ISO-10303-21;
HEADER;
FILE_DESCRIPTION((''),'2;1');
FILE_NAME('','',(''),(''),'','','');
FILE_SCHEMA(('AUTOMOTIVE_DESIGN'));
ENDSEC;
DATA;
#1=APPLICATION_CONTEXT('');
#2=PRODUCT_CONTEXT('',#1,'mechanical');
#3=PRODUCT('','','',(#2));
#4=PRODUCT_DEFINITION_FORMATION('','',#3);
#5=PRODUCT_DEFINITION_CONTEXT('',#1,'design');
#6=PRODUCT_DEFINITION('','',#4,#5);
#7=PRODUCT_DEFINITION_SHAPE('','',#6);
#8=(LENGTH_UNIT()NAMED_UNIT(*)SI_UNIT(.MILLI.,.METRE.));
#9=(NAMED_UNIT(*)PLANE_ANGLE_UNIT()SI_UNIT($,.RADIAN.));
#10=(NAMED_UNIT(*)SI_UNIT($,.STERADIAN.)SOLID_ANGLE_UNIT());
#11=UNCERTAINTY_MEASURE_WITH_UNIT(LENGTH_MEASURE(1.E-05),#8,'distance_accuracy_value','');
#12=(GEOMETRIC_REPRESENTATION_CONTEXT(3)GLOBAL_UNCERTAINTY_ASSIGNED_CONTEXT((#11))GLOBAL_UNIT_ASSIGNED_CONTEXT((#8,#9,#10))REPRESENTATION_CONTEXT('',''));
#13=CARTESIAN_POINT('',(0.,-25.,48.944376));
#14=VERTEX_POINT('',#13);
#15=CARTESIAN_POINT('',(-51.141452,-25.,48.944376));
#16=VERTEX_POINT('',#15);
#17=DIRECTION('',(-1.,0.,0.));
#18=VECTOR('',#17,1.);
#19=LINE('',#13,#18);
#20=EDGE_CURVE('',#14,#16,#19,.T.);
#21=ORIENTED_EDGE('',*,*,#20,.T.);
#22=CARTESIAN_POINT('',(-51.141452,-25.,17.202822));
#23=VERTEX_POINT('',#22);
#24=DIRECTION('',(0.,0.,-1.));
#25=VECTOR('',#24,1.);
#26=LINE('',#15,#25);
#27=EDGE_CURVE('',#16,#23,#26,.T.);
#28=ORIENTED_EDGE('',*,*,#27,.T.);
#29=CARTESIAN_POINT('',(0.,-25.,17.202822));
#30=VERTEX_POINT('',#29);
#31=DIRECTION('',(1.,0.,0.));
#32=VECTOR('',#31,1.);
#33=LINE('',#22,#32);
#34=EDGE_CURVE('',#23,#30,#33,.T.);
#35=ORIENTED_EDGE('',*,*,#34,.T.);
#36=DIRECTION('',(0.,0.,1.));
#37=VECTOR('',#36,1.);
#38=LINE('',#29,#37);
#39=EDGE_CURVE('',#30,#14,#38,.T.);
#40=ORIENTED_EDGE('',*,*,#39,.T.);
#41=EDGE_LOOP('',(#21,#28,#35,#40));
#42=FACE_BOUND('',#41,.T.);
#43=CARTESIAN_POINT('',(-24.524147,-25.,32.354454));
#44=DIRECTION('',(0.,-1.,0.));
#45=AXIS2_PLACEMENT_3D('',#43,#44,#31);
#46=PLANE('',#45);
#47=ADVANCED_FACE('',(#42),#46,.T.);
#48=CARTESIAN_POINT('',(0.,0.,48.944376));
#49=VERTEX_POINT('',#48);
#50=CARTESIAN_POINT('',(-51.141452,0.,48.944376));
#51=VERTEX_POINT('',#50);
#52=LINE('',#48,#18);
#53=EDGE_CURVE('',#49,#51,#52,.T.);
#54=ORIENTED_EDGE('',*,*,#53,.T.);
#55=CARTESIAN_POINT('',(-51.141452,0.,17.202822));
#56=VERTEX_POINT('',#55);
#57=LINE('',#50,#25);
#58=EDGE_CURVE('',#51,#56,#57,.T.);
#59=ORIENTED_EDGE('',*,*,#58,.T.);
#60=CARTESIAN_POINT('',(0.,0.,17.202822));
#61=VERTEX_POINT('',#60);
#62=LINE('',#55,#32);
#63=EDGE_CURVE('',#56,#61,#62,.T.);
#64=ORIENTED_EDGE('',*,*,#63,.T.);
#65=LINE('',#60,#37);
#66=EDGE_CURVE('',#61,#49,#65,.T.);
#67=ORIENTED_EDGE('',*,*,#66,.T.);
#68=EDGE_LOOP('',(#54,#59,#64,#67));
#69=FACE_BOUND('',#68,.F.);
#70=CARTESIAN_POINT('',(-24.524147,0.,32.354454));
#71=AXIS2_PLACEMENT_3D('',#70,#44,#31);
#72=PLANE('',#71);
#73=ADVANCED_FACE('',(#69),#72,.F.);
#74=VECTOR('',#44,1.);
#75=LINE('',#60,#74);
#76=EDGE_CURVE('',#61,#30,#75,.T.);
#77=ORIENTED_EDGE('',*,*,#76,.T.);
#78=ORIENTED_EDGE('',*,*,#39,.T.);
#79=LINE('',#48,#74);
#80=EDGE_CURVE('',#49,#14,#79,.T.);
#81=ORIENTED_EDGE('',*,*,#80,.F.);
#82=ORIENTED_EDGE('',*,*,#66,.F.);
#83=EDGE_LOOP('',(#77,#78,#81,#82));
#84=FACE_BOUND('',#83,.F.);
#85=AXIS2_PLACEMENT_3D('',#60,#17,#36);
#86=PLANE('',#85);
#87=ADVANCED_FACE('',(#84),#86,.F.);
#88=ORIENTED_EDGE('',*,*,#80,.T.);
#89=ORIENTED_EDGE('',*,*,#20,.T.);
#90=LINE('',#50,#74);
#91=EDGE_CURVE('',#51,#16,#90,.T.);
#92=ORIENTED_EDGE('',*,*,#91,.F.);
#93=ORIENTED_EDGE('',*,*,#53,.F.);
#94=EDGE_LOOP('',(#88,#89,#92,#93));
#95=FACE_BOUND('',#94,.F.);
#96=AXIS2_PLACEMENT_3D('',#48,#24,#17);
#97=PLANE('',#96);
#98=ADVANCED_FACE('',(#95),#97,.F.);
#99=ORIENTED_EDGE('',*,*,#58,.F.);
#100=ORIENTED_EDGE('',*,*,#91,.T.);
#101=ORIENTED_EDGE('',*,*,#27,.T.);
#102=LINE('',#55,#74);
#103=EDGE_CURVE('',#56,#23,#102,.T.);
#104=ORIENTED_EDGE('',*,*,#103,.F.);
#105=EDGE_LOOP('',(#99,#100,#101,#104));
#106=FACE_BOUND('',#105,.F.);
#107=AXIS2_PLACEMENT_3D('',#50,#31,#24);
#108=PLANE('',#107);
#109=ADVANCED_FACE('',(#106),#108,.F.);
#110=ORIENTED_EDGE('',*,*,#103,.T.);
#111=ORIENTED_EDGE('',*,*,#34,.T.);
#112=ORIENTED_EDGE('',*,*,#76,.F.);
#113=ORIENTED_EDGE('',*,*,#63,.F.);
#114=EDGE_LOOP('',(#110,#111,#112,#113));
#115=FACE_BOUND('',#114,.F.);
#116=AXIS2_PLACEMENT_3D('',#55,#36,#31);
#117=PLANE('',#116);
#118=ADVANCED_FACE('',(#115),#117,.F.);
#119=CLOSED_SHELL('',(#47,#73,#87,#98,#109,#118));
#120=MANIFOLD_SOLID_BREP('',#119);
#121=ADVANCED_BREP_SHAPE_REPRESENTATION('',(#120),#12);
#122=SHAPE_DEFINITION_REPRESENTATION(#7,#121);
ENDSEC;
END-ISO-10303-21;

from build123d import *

# Parameters (mm, degrees)
F1_DEPTH = 25


with BuildPart() as f1:
    # F0 (on Front) → F1 (new body)
    with BuildSketch(Plane.XZ):
        with BuildLine():
            ThreePointArc((-41.2172991177, 48.9443764091), (-45.4232734724, 43.3574526965), (-51.1414520442, 39.3317390127))
            Line((-51.1414520442, 39.3317390127), (-51.1414520442, 17.2028224915))
            Line((-51.1414520442, 17.2028224915), (0, 17.2028224915))
            Line((0, 17.2028224915), (0, 48.9443764091))
            Line((0, 48.9443764091), (-41.2172991177, 48.9443764091))
        make_face()
        with BuildLine():
            Line((-51.1414520442, 48.9443764091), (-51.1414520442, 39.3317390127))
            ThreePointArc((-51.1414520442, 39.3317390127), (-45.4232734724, 43.3574526965), (-41.2172991177, 48.9443764091))
            Line((-41.2172991177, 48.9443764091), (-51.1414520442, 48.9443764091))
        make_face()
    extrude(amount=F1_DEPTH)


solid = f1.part
